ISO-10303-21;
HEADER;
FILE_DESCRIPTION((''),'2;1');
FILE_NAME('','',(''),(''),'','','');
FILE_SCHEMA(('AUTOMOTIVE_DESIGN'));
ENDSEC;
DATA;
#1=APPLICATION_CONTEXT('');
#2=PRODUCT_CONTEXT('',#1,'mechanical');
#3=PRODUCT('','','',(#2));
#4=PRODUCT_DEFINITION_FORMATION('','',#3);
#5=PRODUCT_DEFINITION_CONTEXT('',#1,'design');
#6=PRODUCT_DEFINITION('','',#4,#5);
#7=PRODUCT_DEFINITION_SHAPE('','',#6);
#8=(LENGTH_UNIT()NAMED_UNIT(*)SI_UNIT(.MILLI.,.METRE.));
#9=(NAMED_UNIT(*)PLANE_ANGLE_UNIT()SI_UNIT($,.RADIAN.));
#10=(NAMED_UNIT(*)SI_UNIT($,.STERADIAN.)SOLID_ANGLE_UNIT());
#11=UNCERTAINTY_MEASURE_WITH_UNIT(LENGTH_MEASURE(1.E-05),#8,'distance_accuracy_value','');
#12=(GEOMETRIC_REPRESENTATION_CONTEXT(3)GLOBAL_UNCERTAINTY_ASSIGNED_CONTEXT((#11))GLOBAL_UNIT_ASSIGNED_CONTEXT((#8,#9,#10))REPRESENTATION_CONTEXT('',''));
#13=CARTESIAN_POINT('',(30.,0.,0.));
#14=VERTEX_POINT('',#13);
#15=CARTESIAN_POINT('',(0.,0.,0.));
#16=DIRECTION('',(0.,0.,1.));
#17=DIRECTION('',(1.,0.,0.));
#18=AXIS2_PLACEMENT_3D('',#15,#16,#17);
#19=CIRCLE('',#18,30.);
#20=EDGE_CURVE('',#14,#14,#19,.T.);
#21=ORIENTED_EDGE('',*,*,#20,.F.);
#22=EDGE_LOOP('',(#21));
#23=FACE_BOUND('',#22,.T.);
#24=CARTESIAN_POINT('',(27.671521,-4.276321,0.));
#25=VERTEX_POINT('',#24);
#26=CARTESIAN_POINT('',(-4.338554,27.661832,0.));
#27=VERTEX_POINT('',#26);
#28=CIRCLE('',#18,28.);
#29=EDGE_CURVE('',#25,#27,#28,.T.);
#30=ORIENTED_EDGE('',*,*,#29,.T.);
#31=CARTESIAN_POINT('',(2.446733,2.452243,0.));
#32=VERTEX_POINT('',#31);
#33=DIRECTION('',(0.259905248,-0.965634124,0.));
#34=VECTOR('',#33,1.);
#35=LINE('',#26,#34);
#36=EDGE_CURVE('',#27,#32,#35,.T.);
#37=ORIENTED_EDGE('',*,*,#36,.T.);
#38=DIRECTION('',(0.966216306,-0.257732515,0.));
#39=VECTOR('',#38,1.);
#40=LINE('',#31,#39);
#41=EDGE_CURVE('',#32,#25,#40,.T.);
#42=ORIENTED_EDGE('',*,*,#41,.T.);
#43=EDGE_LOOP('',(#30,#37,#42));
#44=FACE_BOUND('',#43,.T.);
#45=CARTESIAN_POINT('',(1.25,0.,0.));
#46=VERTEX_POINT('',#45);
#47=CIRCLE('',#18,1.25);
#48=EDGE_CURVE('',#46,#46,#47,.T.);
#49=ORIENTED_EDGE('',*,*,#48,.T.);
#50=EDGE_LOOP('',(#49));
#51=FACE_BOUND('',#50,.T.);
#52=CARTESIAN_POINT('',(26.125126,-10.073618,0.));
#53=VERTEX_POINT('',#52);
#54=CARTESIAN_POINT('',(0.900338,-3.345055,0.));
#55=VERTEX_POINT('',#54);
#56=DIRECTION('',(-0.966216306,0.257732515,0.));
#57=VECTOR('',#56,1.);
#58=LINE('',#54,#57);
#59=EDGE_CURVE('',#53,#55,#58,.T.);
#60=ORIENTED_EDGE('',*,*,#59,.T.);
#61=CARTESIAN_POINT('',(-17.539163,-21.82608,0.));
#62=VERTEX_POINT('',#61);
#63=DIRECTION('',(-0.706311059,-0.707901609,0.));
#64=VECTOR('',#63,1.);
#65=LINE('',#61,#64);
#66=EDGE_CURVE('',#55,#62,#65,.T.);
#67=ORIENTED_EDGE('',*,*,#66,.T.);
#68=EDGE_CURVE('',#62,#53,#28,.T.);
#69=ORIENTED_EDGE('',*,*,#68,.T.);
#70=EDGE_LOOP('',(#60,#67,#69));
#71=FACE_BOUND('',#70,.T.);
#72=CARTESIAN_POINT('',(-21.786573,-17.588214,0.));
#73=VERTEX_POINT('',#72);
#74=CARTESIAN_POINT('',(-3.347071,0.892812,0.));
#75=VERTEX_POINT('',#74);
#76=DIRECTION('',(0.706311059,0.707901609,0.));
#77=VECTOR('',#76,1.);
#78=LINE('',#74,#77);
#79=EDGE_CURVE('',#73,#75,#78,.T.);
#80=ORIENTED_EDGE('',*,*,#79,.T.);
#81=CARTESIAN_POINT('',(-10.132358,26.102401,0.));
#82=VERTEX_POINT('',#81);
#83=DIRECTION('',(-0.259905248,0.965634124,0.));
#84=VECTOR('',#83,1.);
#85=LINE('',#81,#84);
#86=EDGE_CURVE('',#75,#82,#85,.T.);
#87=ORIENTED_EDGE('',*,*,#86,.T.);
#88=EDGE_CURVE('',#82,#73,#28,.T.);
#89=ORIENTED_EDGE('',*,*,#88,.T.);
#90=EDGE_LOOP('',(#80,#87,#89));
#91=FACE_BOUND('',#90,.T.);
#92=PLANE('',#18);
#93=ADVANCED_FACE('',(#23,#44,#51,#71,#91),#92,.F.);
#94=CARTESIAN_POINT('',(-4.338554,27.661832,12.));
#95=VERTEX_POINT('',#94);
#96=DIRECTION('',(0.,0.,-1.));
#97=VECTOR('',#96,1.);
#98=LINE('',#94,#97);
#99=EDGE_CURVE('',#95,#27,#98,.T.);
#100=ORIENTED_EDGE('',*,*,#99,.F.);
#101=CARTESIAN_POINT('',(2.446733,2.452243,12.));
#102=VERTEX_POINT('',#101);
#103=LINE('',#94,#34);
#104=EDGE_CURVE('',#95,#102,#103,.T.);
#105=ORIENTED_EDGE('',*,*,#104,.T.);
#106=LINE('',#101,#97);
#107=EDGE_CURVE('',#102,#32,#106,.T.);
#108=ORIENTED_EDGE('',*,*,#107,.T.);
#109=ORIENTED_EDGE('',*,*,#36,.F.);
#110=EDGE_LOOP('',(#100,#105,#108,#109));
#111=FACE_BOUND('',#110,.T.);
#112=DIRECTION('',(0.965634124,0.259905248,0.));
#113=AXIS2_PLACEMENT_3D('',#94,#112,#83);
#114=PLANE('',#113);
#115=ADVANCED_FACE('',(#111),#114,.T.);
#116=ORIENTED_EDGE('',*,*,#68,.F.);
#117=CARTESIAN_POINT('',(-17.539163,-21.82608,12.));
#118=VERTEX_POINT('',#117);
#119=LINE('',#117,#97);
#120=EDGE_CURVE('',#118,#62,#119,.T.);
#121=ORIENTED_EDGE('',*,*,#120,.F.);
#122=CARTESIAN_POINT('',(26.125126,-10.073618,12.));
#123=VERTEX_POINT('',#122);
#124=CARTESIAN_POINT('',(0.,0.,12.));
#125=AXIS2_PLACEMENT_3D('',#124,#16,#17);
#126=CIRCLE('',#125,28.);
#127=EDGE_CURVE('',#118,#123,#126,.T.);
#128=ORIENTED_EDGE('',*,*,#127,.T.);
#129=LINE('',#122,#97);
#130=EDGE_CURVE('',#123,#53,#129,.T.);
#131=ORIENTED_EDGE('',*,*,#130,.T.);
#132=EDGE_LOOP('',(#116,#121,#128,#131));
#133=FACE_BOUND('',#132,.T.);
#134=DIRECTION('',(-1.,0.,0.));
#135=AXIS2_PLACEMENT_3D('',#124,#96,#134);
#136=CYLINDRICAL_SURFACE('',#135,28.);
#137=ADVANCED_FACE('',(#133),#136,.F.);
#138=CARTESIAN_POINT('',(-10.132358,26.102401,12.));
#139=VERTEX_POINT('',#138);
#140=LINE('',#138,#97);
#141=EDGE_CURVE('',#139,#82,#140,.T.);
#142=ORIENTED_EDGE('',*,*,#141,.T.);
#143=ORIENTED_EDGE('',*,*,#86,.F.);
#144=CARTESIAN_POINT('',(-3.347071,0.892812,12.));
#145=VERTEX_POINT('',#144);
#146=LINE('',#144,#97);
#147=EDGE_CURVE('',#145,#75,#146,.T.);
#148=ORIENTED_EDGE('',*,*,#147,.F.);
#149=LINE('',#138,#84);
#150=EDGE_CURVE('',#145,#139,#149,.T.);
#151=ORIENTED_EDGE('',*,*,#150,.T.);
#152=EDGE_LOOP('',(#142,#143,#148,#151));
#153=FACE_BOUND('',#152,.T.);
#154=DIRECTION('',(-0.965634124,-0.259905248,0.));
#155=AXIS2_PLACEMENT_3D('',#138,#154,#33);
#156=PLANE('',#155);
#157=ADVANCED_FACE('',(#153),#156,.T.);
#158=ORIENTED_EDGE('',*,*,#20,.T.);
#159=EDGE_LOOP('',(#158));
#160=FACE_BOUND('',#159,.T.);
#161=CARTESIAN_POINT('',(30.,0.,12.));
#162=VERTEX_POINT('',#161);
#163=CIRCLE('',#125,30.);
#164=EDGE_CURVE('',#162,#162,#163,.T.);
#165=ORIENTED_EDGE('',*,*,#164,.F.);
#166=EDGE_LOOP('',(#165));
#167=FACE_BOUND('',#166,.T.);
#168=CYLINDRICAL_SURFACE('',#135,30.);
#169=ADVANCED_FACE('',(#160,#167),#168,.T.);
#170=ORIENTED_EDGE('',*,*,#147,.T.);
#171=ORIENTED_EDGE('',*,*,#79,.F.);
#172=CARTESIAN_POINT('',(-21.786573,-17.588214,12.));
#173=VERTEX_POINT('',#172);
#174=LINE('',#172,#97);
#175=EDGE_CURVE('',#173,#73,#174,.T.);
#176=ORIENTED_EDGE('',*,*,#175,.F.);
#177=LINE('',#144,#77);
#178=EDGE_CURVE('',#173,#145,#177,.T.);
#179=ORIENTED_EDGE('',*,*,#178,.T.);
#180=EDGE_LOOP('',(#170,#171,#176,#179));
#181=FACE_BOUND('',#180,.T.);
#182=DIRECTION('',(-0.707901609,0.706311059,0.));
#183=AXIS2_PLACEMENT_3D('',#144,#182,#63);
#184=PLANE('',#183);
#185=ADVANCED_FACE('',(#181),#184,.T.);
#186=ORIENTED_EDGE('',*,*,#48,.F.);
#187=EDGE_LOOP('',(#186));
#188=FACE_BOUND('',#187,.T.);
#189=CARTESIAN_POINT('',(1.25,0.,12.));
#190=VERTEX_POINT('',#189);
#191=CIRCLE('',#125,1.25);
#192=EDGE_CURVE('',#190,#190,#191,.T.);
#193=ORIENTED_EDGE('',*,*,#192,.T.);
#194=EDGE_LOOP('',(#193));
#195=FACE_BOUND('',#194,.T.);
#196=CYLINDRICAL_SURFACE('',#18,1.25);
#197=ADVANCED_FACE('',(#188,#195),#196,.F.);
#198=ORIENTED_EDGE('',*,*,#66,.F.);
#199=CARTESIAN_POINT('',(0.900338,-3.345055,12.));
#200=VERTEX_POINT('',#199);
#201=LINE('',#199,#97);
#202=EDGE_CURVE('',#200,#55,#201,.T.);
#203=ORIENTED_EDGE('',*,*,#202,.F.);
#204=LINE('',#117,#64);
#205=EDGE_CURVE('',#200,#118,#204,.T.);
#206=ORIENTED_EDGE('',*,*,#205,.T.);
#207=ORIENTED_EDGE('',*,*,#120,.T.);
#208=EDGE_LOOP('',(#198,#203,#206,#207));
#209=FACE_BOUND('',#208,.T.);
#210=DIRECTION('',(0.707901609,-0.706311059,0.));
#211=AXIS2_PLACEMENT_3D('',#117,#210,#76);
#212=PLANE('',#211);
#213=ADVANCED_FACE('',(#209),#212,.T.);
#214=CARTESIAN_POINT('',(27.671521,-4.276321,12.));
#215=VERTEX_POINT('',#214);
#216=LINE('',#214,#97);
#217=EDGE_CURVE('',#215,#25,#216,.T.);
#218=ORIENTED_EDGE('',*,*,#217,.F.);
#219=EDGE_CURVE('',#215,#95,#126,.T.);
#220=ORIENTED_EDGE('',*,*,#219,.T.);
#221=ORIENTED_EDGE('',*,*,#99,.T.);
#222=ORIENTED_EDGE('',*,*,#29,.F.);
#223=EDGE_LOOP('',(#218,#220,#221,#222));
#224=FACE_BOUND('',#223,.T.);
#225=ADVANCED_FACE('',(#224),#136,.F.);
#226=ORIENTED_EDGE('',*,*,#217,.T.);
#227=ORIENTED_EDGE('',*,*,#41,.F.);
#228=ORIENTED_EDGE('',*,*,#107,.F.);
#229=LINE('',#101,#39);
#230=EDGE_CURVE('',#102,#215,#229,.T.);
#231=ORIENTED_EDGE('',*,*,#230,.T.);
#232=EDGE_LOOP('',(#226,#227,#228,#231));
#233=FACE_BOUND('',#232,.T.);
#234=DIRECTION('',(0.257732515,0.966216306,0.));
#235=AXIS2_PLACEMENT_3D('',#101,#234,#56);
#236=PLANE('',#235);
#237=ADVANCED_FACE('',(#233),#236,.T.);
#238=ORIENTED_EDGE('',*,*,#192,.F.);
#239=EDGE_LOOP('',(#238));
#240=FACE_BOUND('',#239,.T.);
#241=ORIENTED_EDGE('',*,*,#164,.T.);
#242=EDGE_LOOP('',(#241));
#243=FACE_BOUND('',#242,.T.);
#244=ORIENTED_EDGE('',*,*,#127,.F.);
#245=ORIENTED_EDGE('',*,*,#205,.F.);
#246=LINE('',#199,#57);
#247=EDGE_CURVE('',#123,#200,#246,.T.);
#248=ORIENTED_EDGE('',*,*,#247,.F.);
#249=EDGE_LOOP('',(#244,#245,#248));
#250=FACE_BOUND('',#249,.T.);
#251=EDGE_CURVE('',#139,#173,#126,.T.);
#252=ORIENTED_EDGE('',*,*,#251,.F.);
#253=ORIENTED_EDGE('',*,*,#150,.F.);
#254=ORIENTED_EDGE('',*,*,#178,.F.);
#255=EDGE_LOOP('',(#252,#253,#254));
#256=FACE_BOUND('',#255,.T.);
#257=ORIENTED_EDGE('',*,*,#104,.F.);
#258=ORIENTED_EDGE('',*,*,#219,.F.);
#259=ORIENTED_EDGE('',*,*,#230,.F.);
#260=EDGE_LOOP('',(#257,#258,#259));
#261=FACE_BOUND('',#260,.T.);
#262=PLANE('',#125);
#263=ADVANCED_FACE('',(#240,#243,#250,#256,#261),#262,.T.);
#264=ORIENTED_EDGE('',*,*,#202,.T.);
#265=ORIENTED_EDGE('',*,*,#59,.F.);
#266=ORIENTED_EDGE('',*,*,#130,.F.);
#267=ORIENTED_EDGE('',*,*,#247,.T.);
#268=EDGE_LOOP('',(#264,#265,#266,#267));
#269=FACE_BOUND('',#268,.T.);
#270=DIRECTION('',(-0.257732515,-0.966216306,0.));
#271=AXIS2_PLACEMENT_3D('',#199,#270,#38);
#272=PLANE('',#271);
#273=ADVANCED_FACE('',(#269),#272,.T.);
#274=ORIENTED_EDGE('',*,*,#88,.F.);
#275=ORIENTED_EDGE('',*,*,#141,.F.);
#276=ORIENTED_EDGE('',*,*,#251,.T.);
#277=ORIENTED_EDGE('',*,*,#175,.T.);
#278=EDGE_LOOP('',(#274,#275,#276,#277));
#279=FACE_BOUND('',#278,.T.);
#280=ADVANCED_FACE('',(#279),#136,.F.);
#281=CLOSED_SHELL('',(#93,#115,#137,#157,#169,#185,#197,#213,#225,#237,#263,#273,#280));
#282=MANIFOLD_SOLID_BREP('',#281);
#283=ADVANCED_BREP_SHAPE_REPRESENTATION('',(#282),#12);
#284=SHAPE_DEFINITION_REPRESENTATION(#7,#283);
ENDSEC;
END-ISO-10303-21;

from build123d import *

# Parameters (mm, degrees)
SKETCH2_R           = 30
BOSS_EXTRUDE1_DEPTH = 12
SKETCH4_R           = 1.25
CUT_EXTRUDE1_DEPTH  = 45.09081537


with BuildPart() as part:
    # Sketch2 → Boss-Extrude1 (new body)
    with BuildSketch(Plane.XY):
        Circle(SKETCH2_R)
        with BuildLine():
            Line((-10.13235825, 26.102400585), (-3.347071467, 0.892811622))
            Line((-3.347071467, 0.892811622), (-21.786572537, -17.588213585))
            ThreePointArc((-21.786572537, -17.588213585), (-27.054056577, 7.216510426), (-10.13235825, 26.102400585))
        make_face(mode=Mode.SUBTRACT)
        with BuildLine():
            Line((-17.539162882, -21.826079937), (0.900338188, -3.34505473))
            Line((0.900338188, -3.34505473), (26.12512604, -10.073618486))
            ThreePointArc((26.12512604, -10.073618486), (7.277346933, -27.037755484), (-17.539162882, -21.826079937))
        make_face(mode=Mode.SUBTRACT)
        with BuildLine():
            Line((-4.338553503, 27.661832071), (2.446733279, 2.452243108))
            Line((2.446733279, 2.452243108), (27.671521131, -4.276320648))
            ThreePointArc((27.671521131, -4.276320648), (19.776709644, 19.821245058), (-4.338553503, 27.661832071))
        make_face(mode=Mode.SUBTRACT)
    extrude(amount=BOSS_EXTRUDE1_DEPTH)

    # Sketch4 → Cut-Extrude1 (cut, through all)
    with BuildSketch(Plane.XY.offset(12)):
        Circle(SKETCH4_R)
    extrude(amount=-CUT_EXTRUDE1_DEPTH, mode=Mode.SUBTRACT)


solid = part.part
